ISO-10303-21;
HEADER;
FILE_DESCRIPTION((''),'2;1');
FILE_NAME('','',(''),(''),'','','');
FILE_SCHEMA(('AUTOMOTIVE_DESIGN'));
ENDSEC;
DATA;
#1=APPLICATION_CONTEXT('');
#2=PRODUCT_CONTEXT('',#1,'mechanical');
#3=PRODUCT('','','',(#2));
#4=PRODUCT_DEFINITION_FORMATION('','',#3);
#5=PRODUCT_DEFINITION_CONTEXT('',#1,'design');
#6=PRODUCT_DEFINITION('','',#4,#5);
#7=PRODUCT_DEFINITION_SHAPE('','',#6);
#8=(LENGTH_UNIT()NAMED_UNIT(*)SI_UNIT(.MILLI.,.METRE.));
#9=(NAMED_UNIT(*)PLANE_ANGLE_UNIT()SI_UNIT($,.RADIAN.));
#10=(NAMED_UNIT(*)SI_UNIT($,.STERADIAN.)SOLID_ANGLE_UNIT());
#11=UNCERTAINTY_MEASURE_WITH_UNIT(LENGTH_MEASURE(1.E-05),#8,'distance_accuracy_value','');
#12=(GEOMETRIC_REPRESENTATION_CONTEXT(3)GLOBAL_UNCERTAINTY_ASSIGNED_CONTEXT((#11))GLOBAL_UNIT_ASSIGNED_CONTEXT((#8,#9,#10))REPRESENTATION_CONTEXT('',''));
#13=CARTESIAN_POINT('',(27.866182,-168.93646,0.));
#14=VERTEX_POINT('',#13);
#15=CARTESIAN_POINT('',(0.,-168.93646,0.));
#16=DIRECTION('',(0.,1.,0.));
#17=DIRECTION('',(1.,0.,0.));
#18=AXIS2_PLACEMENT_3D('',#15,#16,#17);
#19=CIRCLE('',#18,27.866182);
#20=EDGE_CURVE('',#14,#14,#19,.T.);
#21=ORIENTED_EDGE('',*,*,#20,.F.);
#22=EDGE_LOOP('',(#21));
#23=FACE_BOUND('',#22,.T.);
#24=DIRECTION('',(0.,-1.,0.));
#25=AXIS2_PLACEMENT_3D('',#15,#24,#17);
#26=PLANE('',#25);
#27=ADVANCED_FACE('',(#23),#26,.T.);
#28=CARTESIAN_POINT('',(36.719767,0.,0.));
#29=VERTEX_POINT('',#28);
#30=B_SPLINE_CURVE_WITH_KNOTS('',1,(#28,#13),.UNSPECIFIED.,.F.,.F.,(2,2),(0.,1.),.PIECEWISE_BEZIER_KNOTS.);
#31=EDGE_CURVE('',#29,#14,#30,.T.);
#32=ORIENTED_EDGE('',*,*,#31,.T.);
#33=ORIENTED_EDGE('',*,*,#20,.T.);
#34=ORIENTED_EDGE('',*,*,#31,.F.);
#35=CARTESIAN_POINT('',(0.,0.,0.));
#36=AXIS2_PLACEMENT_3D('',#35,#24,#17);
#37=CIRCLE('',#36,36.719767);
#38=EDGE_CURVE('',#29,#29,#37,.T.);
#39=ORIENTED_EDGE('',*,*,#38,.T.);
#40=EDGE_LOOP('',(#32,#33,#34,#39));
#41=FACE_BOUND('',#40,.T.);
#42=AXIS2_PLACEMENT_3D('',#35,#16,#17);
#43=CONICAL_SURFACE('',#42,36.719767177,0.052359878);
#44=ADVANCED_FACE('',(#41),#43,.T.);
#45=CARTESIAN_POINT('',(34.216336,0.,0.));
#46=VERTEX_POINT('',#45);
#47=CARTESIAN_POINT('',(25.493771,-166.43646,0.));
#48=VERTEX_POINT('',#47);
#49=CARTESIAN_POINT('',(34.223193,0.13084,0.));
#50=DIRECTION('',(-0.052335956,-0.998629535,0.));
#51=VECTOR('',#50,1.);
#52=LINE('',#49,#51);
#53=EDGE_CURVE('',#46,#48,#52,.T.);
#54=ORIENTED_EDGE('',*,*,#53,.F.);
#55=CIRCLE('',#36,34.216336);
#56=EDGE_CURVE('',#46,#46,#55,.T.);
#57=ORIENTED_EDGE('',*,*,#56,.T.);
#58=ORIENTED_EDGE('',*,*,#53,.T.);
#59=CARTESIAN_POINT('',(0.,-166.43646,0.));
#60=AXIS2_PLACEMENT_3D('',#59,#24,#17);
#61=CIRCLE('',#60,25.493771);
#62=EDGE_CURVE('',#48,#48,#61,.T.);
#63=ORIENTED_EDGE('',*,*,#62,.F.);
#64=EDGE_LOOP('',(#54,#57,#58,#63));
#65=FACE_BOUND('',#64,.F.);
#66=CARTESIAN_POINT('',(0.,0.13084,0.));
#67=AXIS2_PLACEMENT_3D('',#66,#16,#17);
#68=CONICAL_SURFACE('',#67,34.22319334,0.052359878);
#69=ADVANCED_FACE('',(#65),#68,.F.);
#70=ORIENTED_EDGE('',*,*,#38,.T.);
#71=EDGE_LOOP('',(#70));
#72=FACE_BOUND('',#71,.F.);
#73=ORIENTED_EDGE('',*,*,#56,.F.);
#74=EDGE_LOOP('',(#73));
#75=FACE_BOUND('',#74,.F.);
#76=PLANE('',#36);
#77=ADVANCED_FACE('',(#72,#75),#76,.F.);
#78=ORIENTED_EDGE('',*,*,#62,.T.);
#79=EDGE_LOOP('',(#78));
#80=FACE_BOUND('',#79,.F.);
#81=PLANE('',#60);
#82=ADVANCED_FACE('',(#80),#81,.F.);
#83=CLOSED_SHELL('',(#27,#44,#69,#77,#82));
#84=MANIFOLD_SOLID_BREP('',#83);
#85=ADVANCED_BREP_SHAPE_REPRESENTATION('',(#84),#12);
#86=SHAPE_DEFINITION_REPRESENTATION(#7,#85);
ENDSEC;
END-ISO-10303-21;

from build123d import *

# Parameters (mm, degrees)
F0_R     = 36.7197671768
F1_DEPTH = 168.93646
F1_TAPER = 3
F2_T     = -2.5


with BuildPart() as f1:
    # F0 (on Front) → F1 (new body)
    with BuildSketch(Plane.XZ):
        Circle(F0_R)
    extrude(amount=F1_DEPTH, taper=F1_TAPER)

    # F2
    f2_openings = [f1.faces().sort_by_distance(p)[0] for p in [
        (0, 0, 0),
    ]]
    offset(amount=F2_T, openings=f2_openings, kind=Kind.INTERSECTION)


solid = f1.part
